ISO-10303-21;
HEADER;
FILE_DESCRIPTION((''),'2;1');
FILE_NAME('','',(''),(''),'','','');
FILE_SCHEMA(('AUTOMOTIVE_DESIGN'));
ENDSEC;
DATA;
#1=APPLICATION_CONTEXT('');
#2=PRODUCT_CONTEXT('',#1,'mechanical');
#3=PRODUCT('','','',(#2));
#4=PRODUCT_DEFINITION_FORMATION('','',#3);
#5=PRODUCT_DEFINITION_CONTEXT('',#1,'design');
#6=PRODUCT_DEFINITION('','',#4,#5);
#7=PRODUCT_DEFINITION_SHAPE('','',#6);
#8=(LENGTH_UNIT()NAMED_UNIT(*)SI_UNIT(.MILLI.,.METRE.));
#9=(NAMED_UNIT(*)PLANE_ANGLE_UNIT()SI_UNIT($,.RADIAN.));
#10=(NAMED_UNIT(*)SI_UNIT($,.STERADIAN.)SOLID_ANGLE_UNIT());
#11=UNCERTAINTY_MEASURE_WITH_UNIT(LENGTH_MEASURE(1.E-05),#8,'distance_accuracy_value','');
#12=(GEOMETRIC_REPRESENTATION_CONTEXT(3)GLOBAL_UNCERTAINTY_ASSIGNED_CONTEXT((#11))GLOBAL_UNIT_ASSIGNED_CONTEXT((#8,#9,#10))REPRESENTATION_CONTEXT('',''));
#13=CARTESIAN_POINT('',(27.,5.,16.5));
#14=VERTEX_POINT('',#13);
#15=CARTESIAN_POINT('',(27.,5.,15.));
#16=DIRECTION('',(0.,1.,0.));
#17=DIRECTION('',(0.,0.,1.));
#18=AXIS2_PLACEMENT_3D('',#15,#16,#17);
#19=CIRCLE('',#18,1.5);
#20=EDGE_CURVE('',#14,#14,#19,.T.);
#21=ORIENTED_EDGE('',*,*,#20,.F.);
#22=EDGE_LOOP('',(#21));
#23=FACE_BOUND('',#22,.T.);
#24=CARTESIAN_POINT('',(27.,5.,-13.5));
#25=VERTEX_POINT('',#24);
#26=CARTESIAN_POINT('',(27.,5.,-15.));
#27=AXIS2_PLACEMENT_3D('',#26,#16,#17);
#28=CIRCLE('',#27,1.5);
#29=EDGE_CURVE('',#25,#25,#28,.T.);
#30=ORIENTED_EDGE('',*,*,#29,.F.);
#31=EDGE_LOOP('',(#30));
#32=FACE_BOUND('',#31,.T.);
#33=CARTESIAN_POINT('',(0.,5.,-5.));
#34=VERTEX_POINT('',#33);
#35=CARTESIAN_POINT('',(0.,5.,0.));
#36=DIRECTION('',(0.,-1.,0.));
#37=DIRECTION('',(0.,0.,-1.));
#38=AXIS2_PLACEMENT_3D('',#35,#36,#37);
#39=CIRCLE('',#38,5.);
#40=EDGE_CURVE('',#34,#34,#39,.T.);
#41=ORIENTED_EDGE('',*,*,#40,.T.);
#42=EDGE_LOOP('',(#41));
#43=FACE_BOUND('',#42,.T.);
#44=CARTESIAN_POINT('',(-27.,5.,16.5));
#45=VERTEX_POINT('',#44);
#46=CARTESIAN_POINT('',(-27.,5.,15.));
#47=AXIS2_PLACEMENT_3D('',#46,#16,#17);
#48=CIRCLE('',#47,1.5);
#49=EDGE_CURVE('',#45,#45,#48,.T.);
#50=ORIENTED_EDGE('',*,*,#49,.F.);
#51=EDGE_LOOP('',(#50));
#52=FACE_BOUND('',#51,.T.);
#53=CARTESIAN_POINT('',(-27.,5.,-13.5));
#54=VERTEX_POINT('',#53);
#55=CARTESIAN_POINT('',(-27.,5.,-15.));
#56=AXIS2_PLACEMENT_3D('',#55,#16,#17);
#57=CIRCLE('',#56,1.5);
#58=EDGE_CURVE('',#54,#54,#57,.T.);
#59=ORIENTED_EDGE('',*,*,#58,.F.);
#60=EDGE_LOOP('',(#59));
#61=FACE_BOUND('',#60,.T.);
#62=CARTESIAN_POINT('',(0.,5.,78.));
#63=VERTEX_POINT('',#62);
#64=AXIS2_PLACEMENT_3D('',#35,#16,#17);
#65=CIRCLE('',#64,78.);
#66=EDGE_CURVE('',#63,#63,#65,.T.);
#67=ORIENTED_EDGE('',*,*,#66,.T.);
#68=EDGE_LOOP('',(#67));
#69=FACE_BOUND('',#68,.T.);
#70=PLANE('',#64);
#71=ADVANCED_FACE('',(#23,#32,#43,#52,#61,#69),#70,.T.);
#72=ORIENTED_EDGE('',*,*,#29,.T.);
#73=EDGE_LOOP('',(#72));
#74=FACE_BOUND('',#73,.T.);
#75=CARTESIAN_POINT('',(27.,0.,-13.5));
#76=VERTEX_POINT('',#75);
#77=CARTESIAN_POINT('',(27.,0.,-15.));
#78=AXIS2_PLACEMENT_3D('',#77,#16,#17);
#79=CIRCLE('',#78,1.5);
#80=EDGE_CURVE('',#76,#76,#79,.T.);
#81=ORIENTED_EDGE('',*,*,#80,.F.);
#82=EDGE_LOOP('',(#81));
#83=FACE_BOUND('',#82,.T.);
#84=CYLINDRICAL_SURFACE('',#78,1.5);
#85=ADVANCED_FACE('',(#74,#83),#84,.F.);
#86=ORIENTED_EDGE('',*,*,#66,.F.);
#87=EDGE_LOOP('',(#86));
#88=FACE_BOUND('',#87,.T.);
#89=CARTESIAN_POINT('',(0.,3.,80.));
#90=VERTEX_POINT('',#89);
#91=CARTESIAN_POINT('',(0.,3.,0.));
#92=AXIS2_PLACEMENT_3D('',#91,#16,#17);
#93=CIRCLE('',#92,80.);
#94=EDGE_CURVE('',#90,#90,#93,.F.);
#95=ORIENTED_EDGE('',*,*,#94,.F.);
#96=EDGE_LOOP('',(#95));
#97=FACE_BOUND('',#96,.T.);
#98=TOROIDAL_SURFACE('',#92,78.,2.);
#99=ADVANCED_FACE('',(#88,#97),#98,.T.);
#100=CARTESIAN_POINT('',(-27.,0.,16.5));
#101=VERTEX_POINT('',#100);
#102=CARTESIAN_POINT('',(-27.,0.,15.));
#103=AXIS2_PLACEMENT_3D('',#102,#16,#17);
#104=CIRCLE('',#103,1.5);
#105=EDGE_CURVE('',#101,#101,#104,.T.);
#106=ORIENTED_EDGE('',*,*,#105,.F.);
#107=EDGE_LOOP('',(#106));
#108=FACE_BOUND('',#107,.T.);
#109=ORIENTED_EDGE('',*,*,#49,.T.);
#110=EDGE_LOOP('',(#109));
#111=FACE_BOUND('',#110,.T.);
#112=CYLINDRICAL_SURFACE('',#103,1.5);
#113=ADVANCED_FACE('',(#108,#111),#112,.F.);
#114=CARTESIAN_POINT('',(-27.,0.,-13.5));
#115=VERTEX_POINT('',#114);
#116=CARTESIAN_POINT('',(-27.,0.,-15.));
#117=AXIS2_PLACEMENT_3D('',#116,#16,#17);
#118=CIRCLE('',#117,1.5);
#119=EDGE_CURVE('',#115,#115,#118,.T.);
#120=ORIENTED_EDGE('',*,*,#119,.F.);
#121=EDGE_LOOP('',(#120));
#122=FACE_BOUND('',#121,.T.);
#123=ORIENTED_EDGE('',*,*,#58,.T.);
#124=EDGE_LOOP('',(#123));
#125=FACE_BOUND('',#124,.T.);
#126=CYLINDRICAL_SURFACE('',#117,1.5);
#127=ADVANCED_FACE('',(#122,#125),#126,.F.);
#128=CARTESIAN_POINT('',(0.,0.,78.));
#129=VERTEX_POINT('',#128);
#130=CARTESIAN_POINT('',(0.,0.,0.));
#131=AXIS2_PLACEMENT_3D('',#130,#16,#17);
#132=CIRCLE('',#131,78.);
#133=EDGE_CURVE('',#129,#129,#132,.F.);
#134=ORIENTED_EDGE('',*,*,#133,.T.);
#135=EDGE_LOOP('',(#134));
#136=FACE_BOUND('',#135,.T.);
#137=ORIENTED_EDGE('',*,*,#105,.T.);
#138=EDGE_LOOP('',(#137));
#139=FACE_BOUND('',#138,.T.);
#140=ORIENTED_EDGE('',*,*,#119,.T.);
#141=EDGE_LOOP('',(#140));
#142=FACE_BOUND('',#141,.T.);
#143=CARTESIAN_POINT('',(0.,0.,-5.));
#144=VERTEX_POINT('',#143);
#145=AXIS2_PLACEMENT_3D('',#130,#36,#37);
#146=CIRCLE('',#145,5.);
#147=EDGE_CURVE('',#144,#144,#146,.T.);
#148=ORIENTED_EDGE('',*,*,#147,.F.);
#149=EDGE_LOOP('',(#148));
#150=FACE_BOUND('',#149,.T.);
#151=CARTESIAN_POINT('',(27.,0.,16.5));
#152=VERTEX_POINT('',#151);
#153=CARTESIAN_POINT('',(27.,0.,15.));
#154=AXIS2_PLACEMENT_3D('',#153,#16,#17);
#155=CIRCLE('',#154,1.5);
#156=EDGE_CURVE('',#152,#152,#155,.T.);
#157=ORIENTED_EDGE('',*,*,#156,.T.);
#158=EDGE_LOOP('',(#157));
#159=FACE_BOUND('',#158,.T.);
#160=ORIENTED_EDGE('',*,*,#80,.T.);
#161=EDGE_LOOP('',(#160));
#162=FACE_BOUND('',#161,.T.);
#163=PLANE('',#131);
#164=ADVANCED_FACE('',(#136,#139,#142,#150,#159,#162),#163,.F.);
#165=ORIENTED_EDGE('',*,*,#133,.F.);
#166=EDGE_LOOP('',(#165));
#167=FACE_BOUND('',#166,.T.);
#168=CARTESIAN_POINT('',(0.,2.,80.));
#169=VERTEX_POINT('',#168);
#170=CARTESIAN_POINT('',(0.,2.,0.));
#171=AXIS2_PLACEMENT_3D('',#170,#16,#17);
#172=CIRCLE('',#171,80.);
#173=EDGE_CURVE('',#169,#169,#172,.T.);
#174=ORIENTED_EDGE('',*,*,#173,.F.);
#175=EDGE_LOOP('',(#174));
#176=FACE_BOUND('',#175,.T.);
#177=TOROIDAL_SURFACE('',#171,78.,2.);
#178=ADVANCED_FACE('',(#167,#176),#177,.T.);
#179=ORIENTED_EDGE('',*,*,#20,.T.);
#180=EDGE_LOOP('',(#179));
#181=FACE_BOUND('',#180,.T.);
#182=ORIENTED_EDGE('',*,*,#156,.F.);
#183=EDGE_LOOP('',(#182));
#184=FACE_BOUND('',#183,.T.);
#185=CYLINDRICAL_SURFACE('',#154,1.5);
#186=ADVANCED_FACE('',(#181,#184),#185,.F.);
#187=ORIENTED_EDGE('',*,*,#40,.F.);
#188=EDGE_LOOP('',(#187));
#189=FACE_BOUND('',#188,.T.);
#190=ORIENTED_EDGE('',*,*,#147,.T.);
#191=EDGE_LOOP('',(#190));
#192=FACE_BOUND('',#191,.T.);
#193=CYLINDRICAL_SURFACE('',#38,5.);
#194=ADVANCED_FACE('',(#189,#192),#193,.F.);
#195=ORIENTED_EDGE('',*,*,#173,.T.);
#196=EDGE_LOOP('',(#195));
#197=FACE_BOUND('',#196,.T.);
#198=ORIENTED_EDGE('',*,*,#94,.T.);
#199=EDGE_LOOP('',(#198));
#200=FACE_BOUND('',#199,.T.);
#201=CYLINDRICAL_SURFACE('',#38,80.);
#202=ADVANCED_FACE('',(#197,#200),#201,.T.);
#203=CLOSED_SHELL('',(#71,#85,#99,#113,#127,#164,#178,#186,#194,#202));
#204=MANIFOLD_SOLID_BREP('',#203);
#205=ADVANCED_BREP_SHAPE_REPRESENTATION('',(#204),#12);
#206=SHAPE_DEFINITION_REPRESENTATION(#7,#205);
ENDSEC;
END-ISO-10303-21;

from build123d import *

# Parameters (mm, degrees)
SKETCH1_R           = 80
BOSS_EXTRUDE1_DEPTH = 5
FILLET1_R           = 2
SKETCH2_R           = 5
CUT_EXTRUDE1_DEPTH  = 5
CUT_EXTRUDE2_DEPTH  = 6


with BuildPart() as part:
    # Sketch1 → Boss-Extrude1 (new body)
    with BuildSketch(Plane(origin=(0, 0, 0), x_dir=(1, 0, 0), z_dir=(0, 1, 0))):
        Circle(SKETCH1_R)
    extrude(amount=BOSS_EXTRUDE1_DEPTH)

    # Fillet1
    fillet1_edges = [part.edges().sort_by_distance(p)[0] for p in [
        (-80, 0, 0),
        (-80, 5, 0),
    ]]
    fillet(fillet1_edges, radius=FILLET1_R)

    # Sketch2 → Cut-Extrude1 (cut)
    with BuildSketch(Plane.XZ):
        Circle(SKETCH2_R)
    extrude(amount=-CUT_EXTRUDE1_DEPTH, mode=Mode.SUBTRACT)

    # Sketch3 → Cut-Extrude2 (cut, through all)
    with BuildSketch(Plane(origin=(0, 5, 0), x_dir=(1, 0, 0), z_dir=(0, 1, 0))):
        with BuildLine():
            Line((-27, 13.5), (-27, 15))
            Line((-27, 15), (-25.5, 15))
            ThreePointArc((-25.5, 15), (-28.060660172, 16.060660172), (-27, 13.5))
        make_face()
        with BuildLine():
            Line((-25.5, 15), (-27, 15))
            Line((-27, 15), (-27, 13.5))
            ThreePointArc((-27, 13.5), (-25.939339828, 13.939339828), (-25.5, 15))
        make_face()
        with BuildLine():
            ThreePointArc((-25.5, -15), (-25.939339828, -13.939339828), (-27, -13.5))
            Line((-27, -13.5), (-27, -15))
            Line((-27, -15), (-25.5, -15))
        make_face()
        with BuildLine():
            Line((-27, -15), (-27, -13.5))
            ThreePointArc((-27, -13.5), (-28.060660172, -16.060660172), (-25.5, -15))
            Line((-25.5, -15), (-27, -15))
        make_face()
        with BuildLine():
            ThreePointArc((28.5, -15), (28.060660172, -13.939339828), (27, -13.5))
            Line((27, -13.5), (27, -15))
            Line((27, -15), (25.5, -15))
            ThreePointArc((25.5, -15), (27, -16.5), (28.5, -15))
        make_face()
        with BuildLine():
            Line((27, -15), (27, -13.5))
            ThreePointArc((27, -13.5), (25.939339828, -13.939339828), (25.5, -15))
            Line((25.5, -15), (27, -15))
        make_face()
        with BuildLine():
            ThreePointArc((28.5, 15), (27, 16.5), (25.5, 15))
            Line((25.5, 15), (27, 15))
            Line((27, 15), (27, 13.5))
            ThreePointArc((27, 13.5), (28.060660172, 13.939339828), (28.5, 15))
        make_face()
        with BuildLine():
            Line((27, 15), (25.5, 15))
            ThreePointArc((25.5, 15), (25.939339828, 13.939339828), (27, 13.5))
            Line((27, 13.5), (27, 15))
        make_face()
    extrude(amount=-CUT_EXTRUDE2_DEPTH, mode=Mode.SUBTRACT)


solid = part.part
